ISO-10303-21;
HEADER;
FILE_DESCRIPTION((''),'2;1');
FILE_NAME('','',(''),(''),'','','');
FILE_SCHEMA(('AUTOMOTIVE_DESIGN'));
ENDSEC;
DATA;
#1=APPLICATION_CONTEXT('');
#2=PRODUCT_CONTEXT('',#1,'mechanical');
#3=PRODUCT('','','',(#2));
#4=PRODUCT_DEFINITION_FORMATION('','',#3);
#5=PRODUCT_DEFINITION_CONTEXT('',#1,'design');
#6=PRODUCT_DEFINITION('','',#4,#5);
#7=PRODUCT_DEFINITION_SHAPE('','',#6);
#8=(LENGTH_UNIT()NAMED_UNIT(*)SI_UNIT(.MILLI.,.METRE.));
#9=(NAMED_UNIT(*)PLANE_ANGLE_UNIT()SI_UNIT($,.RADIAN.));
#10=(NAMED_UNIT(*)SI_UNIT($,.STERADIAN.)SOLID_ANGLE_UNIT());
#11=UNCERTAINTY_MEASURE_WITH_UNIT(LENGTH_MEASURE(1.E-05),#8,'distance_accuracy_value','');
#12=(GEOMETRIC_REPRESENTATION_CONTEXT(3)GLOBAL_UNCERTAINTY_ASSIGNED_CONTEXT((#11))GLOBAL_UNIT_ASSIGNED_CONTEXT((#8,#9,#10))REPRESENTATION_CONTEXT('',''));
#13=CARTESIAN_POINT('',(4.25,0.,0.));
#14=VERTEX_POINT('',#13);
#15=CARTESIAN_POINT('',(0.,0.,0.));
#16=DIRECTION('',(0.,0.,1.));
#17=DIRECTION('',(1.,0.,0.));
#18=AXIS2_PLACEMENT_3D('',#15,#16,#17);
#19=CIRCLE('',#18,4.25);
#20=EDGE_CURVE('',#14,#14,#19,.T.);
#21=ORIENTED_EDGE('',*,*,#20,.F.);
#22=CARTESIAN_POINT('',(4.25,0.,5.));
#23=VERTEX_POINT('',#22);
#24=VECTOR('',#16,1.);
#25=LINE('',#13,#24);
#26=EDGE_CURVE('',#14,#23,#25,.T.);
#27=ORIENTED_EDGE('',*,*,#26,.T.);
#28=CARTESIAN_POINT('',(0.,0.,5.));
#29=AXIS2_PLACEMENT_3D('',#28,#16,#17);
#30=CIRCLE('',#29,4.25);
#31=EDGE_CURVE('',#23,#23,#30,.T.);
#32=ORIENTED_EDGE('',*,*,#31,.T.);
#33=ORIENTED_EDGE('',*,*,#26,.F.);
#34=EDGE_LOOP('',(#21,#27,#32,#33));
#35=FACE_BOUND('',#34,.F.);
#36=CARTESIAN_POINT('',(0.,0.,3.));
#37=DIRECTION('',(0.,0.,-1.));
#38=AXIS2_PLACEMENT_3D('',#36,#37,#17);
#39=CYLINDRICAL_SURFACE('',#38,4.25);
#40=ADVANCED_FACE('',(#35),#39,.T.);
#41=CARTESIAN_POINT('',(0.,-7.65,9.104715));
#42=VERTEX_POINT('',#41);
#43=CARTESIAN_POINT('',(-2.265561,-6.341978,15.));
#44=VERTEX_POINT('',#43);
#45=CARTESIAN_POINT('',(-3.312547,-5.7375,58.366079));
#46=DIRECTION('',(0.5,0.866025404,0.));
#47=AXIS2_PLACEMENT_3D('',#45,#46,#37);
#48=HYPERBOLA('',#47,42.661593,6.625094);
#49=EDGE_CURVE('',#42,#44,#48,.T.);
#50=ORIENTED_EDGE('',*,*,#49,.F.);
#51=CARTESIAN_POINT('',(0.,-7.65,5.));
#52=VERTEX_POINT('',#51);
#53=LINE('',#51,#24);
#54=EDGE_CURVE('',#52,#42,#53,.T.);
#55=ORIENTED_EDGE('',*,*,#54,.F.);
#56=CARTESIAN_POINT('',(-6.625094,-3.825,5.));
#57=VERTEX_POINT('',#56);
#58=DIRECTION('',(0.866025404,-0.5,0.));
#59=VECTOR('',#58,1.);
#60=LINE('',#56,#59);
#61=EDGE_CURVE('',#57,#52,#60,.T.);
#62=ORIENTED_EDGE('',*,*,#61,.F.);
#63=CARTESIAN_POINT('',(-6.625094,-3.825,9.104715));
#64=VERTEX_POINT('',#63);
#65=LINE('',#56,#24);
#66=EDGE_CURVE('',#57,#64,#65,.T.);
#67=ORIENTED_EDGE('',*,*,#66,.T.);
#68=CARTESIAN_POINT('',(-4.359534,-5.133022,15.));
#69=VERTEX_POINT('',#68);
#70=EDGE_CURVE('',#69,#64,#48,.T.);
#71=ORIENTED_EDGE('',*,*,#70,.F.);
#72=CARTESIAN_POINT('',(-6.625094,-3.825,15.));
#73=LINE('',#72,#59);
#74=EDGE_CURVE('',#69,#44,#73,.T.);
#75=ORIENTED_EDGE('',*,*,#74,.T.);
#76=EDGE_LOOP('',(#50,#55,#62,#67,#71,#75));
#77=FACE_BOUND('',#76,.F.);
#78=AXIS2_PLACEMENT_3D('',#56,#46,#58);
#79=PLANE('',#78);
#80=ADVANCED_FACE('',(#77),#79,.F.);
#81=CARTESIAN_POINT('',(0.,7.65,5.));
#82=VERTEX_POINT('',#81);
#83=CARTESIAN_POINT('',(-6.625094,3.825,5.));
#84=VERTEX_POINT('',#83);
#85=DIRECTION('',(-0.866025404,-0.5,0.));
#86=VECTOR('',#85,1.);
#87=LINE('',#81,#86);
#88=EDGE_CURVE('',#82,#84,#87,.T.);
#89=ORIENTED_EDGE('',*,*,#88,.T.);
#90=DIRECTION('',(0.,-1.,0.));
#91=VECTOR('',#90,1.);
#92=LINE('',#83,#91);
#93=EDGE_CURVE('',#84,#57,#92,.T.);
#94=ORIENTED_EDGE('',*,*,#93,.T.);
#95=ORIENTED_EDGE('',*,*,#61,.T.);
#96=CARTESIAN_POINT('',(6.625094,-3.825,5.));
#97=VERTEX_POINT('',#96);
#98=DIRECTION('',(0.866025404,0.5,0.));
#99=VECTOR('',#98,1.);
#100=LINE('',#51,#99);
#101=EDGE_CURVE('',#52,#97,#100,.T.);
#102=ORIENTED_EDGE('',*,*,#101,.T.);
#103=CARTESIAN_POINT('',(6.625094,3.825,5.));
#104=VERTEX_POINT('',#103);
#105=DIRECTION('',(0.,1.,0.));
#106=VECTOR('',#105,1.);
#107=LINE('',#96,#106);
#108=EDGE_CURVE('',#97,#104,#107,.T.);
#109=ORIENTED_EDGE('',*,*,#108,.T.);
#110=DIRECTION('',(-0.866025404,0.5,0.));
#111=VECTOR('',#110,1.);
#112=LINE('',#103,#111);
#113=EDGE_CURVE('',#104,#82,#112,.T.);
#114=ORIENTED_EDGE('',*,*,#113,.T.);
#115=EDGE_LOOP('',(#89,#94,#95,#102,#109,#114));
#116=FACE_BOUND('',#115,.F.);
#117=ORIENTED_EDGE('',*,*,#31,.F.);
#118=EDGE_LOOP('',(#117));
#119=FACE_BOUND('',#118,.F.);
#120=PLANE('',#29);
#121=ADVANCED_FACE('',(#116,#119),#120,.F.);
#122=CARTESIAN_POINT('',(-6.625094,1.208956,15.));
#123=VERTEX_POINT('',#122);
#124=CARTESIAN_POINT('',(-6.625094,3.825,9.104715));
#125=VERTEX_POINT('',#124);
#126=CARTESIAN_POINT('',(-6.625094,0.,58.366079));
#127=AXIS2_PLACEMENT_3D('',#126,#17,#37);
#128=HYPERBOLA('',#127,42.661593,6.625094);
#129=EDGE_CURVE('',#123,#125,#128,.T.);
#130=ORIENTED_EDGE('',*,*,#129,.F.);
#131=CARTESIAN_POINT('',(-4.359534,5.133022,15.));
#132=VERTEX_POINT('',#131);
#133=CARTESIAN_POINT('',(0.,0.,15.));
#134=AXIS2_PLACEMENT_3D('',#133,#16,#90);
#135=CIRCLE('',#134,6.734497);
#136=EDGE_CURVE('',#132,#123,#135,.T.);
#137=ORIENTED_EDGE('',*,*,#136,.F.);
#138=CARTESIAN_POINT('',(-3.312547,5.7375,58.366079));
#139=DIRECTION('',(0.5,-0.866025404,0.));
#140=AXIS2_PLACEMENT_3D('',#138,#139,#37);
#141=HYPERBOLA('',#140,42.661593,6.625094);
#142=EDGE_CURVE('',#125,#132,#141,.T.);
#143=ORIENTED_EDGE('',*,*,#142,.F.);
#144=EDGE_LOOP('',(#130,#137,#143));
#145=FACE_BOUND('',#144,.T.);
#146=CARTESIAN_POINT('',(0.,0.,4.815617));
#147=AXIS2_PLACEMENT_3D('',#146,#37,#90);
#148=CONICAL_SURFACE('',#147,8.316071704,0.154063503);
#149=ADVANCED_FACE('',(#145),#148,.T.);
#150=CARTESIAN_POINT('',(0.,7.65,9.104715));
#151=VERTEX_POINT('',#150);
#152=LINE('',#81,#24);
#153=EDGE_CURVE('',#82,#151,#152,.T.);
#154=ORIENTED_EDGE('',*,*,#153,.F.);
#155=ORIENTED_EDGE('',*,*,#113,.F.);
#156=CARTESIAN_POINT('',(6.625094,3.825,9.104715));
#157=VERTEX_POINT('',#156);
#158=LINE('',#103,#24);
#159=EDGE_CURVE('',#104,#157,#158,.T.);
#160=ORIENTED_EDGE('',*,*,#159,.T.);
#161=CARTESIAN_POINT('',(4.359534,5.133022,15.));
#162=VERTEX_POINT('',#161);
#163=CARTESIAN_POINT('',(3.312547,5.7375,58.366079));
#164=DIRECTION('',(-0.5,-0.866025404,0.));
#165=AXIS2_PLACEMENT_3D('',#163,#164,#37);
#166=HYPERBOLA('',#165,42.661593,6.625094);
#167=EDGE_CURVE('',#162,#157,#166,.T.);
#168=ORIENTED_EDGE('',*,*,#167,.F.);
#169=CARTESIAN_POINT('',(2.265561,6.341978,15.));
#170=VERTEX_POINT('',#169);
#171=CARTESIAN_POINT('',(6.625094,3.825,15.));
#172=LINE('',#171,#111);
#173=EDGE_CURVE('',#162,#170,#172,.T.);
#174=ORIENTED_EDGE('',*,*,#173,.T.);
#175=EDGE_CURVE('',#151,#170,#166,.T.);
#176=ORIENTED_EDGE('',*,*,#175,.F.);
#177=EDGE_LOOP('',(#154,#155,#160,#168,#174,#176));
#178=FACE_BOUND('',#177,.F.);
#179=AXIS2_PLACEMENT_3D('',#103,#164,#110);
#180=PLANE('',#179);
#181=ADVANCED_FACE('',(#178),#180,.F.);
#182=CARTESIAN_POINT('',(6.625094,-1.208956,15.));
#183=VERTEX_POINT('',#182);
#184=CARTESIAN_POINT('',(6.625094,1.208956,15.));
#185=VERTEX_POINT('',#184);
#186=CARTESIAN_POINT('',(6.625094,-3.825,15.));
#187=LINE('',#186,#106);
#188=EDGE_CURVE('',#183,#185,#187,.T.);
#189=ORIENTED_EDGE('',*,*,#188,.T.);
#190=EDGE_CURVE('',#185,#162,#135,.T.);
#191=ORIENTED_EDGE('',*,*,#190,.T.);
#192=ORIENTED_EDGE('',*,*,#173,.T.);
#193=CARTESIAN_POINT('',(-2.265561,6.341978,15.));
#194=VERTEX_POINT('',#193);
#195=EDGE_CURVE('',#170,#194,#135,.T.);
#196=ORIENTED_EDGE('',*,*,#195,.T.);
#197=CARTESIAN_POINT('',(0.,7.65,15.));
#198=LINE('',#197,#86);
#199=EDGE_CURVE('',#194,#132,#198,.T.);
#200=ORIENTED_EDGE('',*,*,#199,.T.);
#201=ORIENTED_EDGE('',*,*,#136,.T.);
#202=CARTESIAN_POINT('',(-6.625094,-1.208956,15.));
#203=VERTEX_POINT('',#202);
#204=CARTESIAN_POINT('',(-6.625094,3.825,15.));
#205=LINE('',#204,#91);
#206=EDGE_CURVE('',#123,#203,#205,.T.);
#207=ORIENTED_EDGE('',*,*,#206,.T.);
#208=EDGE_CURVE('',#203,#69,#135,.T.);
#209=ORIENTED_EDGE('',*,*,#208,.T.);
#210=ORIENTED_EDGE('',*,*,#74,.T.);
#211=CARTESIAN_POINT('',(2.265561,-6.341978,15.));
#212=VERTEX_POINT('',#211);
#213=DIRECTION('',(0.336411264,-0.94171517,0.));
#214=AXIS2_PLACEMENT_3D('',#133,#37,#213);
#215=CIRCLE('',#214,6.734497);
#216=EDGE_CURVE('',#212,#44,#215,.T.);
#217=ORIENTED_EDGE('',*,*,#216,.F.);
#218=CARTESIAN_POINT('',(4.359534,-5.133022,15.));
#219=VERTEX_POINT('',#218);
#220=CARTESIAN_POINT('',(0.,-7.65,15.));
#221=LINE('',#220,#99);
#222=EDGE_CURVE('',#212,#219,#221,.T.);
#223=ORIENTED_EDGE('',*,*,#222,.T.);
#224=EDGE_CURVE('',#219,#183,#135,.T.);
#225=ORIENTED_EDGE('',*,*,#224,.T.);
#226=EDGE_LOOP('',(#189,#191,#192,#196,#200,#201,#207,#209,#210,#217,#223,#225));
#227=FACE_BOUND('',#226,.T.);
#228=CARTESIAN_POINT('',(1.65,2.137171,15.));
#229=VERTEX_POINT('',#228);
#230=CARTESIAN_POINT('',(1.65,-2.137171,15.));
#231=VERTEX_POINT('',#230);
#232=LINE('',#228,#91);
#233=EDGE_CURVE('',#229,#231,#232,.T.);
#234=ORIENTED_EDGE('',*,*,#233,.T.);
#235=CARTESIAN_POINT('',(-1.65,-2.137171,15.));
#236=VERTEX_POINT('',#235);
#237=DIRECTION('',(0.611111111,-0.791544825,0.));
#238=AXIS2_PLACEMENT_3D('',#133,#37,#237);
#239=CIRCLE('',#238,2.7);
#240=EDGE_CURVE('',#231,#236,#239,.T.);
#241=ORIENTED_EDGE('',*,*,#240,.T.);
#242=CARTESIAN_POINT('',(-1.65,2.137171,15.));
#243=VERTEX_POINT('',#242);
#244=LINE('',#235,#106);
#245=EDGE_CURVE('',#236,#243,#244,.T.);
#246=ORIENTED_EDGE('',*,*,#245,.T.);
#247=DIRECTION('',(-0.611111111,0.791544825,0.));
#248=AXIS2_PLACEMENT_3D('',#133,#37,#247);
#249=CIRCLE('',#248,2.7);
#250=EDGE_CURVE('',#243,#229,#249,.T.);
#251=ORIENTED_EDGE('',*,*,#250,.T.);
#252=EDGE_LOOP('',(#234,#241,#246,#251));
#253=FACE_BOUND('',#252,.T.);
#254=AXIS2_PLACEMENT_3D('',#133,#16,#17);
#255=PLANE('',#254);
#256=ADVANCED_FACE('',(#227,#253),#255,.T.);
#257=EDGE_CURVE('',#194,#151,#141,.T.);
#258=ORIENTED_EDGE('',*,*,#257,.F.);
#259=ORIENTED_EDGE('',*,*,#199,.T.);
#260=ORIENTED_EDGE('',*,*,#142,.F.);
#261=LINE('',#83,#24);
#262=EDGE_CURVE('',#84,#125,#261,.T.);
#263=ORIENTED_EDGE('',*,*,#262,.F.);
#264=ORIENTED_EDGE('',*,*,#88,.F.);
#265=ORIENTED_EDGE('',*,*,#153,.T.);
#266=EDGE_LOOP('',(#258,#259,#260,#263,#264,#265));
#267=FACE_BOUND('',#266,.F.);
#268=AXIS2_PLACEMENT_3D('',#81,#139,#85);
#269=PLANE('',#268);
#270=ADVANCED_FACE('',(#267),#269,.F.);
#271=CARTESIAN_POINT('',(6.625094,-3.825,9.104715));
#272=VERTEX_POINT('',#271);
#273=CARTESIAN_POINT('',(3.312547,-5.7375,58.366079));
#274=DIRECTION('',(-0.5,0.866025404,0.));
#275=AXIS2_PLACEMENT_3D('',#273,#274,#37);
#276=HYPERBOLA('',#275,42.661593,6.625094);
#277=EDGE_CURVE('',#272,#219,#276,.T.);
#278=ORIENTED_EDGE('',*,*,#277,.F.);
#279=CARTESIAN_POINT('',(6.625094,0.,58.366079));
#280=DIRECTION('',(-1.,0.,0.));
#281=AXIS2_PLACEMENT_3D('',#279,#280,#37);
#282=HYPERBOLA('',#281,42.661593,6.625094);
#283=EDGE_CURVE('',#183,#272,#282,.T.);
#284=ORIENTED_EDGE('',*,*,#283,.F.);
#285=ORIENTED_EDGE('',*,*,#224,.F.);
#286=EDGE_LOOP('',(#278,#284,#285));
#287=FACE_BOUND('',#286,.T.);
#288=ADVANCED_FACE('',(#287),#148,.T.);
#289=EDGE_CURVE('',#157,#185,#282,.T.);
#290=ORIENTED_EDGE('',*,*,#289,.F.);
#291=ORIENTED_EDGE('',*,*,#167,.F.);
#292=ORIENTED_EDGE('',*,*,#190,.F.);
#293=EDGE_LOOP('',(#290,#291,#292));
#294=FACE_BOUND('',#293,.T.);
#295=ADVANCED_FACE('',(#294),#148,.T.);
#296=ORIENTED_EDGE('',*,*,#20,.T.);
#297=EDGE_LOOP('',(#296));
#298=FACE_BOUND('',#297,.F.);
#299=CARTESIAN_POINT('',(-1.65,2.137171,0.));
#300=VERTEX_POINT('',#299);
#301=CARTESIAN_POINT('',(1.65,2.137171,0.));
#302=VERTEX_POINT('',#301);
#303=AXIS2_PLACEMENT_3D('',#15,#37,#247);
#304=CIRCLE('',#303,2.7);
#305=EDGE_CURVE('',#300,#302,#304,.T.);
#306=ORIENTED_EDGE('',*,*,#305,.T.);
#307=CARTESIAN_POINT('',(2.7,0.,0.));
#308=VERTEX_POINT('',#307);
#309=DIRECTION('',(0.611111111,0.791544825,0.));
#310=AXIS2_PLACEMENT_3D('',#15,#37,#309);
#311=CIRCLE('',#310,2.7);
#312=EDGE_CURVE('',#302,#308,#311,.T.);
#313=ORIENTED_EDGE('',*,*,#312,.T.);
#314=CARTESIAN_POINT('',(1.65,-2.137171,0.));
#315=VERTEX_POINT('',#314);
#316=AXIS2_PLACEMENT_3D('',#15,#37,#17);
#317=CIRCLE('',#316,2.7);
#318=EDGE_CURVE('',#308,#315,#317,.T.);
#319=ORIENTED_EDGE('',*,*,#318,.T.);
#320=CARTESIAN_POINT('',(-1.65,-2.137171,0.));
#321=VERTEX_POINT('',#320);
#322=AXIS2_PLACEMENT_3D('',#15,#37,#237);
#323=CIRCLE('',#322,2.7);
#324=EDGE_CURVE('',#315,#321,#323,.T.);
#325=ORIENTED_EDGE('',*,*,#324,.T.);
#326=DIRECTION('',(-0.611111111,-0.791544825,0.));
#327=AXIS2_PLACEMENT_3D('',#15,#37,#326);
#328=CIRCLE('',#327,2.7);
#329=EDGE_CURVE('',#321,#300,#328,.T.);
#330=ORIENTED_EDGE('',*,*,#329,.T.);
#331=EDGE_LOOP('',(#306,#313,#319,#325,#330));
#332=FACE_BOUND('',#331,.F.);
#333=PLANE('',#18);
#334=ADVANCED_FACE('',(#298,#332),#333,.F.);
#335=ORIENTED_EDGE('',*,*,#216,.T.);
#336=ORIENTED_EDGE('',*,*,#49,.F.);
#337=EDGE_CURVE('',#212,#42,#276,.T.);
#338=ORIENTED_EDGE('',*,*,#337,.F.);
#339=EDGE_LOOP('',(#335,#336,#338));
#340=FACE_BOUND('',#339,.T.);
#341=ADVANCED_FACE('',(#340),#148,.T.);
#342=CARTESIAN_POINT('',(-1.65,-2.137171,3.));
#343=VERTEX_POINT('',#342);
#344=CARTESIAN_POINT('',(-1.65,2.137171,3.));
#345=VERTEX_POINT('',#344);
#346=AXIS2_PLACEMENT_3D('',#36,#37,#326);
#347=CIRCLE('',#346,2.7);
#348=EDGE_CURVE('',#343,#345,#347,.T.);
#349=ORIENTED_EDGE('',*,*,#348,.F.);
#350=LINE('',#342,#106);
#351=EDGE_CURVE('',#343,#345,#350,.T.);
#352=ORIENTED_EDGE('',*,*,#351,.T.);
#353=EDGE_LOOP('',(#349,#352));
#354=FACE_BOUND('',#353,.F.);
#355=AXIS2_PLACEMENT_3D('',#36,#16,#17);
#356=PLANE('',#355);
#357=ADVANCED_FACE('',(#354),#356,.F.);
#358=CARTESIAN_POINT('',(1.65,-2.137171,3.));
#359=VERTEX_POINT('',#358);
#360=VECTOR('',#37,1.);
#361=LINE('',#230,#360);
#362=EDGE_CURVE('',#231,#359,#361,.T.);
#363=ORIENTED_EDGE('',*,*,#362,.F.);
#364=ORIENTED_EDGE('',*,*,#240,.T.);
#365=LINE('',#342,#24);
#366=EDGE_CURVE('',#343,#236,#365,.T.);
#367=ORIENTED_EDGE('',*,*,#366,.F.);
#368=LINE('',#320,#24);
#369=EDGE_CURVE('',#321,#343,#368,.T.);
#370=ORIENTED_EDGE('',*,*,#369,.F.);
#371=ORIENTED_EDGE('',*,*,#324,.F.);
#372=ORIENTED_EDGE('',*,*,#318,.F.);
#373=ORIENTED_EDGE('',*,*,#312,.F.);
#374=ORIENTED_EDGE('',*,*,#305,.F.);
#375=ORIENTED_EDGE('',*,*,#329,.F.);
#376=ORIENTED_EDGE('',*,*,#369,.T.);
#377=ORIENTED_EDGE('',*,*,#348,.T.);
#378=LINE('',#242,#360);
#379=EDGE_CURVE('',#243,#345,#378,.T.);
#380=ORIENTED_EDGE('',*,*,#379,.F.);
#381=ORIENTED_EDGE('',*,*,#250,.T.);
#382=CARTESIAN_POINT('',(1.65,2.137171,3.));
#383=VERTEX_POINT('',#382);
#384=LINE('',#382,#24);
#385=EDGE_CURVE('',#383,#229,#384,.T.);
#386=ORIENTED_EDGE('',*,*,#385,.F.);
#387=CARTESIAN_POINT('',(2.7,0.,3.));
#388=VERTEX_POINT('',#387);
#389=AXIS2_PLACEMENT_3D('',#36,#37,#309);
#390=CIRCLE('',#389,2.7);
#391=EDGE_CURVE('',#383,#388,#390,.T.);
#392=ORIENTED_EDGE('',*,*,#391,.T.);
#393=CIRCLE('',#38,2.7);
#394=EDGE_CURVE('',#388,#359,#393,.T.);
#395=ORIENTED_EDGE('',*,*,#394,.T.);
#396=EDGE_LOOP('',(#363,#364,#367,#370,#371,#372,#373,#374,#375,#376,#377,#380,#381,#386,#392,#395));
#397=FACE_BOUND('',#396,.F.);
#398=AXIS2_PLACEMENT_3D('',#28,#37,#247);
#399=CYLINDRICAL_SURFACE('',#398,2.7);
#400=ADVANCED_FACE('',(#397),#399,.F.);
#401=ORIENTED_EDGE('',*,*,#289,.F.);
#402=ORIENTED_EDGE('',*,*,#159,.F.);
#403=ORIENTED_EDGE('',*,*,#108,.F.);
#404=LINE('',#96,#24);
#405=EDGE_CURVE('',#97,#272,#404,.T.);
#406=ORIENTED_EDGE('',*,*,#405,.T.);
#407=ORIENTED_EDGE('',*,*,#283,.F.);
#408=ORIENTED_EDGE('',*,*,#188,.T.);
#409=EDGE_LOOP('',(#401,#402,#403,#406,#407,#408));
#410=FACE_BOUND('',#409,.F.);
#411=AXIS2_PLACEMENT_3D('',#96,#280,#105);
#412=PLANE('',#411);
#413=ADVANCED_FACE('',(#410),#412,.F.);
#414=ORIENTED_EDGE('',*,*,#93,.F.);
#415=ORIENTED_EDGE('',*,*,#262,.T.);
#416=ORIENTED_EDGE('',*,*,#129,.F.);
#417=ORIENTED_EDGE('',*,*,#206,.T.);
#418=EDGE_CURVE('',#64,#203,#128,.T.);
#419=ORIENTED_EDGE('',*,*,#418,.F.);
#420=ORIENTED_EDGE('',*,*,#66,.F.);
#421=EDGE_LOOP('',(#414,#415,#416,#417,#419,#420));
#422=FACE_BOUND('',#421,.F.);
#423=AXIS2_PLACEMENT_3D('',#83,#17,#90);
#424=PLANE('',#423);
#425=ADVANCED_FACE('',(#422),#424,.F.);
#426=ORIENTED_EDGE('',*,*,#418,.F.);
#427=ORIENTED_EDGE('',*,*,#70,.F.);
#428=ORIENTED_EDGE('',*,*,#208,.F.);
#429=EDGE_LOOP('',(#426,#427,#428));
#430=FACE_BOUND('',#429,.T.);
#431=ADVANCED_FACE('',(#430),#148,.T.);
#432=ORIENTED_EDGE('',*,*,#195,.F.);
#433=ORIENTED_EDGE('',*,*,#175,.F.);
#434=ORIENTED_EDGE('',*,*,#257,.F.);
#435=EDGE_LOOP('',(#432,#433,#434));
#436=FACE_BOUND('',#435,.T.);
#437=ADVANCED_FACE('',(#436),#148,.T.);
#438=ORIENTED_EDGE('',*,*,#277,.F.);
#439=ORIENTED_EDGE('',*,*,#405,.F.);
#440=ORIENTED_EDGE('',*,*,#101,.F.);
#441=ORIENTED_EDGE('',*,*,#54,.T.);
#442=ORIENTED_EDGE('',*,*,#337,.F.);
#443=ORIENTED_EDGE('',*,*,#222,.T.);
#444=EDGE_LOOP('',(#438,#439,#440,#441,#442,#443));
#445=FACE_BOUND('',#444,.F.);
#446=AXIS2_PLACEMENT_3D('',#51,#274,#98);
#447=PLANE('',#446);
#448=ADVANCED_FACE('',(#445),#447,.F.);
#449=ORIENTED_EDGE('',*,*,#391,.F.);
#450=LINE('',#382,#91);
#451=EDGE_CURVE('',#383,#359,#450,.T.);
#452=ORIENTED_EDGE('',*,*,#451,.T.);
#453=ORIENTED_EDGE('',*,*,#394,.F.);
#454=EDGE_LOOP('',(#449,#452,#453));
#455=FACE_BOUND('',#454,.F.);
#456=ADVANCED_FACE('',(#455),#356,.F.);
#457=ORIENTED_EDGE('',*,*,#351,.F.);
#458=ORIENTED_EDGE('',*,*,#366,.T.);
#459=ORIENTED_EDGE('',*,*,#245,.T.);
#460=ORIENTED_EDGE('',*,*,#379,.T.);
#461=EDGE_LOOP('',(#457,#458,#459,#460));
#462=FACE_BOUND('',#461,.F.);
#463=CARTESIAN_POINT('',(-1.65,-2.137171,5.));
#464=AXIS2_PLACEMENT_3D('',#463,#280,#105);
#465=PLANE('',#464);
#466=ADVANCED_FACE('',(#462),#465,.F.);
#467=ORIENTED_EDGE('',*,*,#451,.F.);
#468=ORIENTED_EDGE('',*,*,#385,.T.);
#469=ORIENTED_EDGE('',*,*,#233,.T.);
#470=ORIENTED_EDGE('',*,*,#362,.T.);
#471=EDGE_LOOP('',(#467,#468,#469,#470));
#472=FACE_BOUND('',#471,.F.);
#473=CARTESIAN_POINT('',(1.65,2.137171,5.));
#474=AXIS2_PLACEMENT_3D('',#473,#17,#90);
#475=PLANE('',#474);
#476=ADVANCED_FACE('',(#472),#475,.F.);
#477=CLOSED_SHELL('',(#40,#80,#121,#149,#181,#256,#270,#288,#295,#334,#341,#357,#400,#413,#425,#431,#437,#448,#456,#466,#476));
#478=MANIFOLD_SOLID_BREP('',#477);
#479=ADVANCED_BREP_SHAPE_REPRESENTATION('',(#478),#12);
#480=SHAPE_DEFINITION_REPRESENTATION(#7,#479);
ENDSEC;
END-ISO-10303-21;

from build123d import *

# Parameters (mm, degrees)
F0_R     = 4.25
F1_DEPTH = 3
F2_START = 3
F2_DEPTH = 2
F3_START = 5
F3_DEPTH = 10


with BuildPart() as f1:
    # F0 (on Top) → F1 (new body)
    with BuildSketch(Plane.XY):
        Circle(F0_R)
        with BuildLine():
            ThreePointArc((1.65, 2.1371710273), (2.4233241632, 1.19058809), (2.7, 0))
            ThreePointArc((2.7, 0), (2.4233241632, -1.19058809), (1.65, -2.1371710273))
            ThreePointArc((1.65, -2.1371710273), (0, -2.7), (-1.65, -2.1371710273))
            ThreePointArc((-1.65, -2.1371710273), (-2.7, 0), (-1.65, 2.1371710273))
            ThreePointArc((-1.65, 2.1371710273), (0, 2.7), (1.65, 2.1371710273))
        make_face(mode=Mode.SUBTRACT)
    extrude(amount=F1_DEPTH)

    # F0 (on Top) → F2 (join)
    with BuildSketch(Plane.XY.offset(F2_START)):
        Circle(F0_R)
        with BuildLine():
            ThreePointArc((1.65, 2.1371710273), (2.4233241632, 1.19058809), (2.7, 0))
            ThreePointArc((2.7, 0), (2.4233241632, -1.19058809), (1.65, -2.1371710273))
            ThreePointArc((1.65, -2.1371710273), (0, -2.7), (-1.65, -2.1371710273))
            ThreePointArc((-1.65, -2.1371710273), (-2.7, 0), (-1.65, 2.1371710273))
            ThreePointArc((-1.65, 2.1371710273), (0, 2.7), (1.65, 2.1371710273))
        make_face(mode=Mode.SUBTRACT)
        with BuildLine():
            Line((-1.65, -2.1371710273), (-1.65, 2.1371710273))
            ThreePointArc((-1.65, 2.1371710273), (-2.7, 0), (-1.65, -2.1371710273))
        make_face()
        with BuildLine():
            ThreePointArc((1.65, -2.1371710273), (2.4233241632, -1.19058809), (2.7, 0))
            ThreePointArc((2.7, 0), (2.4233241632, 1.19058809), (1.65, 2.1371710273))
            Line((1.65, 2.1371710273), (1.65, -2.1371710273))
        make_face()
    extrude(amount=F2_DEPTH)

    # F0 (on Top) → F3 (join)
    with BuildSketch(Plane.XY.offset(F3_START)):
        Polygon((-6.625094339, -3.825), (0, -7.65), (6.625094339, -3.825), (6.625094339, 3.825), (0, 7.65), (-6.625094339, 3.825), align=None)
        Circle(F0_R, mode=Mode.SUBTRACT)
        Circle(F0_R)
        with BuildLine():
            ThreePointArc((1.65, 2.1371710273), (2.4233241632, 1.19058809), (2.7, 0))
            ThreePointArc((2.7, 0), (2.4233241632, -1.19058809), (1.65, -2.1371710273))
            ThreePointArc((1.65, -2.1371710273), (0, -2.7), (-1.65, -2.1371710273))
            ThreePointArc((-1.65, -2.1371710273), (-2.7, 0), (-1.65, 2.1371710273))
            ThreePointArc((-1.65, 2.1371710273), (0, 2.7), (1.65, 2.1371710273))
        make_face(mode=Mode.SUBTRACT)
        with BuildLine():
            ThreePointArc((1.65, -2.1371710273), (2.4233241632, -1.19058809), (2.7, 0))
            ThreePointArc((2.7, 0), (2.4233241632, 1.19058809), (1.65, 2.1371710273))
            Line((1.65, 2.1371710273), (1.65, -2.1371710273))
        make_face()
        with BuildLine():
            Line((-1.65, -2.1371710273), (-1.65, 2.1371710273))
            ThreePointArc((-1.65, 2.1371710273), (-2.7, 0), (-1.65, -2.1371710273))
        make_face()
    extrude(amount=F3_DEPTH)

    # F4 (on Right) → F5 (revolve, cut)
    with BuildSketch(Plane.YZ):
        Polygon((-8.316071704, 4.8156171106), (-6.5929647535, 15.9113816917), (-8.316071704, 15.9113816917), align=None)
    revolve(axis=Axis((0, 0, 4.9219373614), (0, 0, 1)), mode=Mode.SUBTRACT)


solid = f1.part
